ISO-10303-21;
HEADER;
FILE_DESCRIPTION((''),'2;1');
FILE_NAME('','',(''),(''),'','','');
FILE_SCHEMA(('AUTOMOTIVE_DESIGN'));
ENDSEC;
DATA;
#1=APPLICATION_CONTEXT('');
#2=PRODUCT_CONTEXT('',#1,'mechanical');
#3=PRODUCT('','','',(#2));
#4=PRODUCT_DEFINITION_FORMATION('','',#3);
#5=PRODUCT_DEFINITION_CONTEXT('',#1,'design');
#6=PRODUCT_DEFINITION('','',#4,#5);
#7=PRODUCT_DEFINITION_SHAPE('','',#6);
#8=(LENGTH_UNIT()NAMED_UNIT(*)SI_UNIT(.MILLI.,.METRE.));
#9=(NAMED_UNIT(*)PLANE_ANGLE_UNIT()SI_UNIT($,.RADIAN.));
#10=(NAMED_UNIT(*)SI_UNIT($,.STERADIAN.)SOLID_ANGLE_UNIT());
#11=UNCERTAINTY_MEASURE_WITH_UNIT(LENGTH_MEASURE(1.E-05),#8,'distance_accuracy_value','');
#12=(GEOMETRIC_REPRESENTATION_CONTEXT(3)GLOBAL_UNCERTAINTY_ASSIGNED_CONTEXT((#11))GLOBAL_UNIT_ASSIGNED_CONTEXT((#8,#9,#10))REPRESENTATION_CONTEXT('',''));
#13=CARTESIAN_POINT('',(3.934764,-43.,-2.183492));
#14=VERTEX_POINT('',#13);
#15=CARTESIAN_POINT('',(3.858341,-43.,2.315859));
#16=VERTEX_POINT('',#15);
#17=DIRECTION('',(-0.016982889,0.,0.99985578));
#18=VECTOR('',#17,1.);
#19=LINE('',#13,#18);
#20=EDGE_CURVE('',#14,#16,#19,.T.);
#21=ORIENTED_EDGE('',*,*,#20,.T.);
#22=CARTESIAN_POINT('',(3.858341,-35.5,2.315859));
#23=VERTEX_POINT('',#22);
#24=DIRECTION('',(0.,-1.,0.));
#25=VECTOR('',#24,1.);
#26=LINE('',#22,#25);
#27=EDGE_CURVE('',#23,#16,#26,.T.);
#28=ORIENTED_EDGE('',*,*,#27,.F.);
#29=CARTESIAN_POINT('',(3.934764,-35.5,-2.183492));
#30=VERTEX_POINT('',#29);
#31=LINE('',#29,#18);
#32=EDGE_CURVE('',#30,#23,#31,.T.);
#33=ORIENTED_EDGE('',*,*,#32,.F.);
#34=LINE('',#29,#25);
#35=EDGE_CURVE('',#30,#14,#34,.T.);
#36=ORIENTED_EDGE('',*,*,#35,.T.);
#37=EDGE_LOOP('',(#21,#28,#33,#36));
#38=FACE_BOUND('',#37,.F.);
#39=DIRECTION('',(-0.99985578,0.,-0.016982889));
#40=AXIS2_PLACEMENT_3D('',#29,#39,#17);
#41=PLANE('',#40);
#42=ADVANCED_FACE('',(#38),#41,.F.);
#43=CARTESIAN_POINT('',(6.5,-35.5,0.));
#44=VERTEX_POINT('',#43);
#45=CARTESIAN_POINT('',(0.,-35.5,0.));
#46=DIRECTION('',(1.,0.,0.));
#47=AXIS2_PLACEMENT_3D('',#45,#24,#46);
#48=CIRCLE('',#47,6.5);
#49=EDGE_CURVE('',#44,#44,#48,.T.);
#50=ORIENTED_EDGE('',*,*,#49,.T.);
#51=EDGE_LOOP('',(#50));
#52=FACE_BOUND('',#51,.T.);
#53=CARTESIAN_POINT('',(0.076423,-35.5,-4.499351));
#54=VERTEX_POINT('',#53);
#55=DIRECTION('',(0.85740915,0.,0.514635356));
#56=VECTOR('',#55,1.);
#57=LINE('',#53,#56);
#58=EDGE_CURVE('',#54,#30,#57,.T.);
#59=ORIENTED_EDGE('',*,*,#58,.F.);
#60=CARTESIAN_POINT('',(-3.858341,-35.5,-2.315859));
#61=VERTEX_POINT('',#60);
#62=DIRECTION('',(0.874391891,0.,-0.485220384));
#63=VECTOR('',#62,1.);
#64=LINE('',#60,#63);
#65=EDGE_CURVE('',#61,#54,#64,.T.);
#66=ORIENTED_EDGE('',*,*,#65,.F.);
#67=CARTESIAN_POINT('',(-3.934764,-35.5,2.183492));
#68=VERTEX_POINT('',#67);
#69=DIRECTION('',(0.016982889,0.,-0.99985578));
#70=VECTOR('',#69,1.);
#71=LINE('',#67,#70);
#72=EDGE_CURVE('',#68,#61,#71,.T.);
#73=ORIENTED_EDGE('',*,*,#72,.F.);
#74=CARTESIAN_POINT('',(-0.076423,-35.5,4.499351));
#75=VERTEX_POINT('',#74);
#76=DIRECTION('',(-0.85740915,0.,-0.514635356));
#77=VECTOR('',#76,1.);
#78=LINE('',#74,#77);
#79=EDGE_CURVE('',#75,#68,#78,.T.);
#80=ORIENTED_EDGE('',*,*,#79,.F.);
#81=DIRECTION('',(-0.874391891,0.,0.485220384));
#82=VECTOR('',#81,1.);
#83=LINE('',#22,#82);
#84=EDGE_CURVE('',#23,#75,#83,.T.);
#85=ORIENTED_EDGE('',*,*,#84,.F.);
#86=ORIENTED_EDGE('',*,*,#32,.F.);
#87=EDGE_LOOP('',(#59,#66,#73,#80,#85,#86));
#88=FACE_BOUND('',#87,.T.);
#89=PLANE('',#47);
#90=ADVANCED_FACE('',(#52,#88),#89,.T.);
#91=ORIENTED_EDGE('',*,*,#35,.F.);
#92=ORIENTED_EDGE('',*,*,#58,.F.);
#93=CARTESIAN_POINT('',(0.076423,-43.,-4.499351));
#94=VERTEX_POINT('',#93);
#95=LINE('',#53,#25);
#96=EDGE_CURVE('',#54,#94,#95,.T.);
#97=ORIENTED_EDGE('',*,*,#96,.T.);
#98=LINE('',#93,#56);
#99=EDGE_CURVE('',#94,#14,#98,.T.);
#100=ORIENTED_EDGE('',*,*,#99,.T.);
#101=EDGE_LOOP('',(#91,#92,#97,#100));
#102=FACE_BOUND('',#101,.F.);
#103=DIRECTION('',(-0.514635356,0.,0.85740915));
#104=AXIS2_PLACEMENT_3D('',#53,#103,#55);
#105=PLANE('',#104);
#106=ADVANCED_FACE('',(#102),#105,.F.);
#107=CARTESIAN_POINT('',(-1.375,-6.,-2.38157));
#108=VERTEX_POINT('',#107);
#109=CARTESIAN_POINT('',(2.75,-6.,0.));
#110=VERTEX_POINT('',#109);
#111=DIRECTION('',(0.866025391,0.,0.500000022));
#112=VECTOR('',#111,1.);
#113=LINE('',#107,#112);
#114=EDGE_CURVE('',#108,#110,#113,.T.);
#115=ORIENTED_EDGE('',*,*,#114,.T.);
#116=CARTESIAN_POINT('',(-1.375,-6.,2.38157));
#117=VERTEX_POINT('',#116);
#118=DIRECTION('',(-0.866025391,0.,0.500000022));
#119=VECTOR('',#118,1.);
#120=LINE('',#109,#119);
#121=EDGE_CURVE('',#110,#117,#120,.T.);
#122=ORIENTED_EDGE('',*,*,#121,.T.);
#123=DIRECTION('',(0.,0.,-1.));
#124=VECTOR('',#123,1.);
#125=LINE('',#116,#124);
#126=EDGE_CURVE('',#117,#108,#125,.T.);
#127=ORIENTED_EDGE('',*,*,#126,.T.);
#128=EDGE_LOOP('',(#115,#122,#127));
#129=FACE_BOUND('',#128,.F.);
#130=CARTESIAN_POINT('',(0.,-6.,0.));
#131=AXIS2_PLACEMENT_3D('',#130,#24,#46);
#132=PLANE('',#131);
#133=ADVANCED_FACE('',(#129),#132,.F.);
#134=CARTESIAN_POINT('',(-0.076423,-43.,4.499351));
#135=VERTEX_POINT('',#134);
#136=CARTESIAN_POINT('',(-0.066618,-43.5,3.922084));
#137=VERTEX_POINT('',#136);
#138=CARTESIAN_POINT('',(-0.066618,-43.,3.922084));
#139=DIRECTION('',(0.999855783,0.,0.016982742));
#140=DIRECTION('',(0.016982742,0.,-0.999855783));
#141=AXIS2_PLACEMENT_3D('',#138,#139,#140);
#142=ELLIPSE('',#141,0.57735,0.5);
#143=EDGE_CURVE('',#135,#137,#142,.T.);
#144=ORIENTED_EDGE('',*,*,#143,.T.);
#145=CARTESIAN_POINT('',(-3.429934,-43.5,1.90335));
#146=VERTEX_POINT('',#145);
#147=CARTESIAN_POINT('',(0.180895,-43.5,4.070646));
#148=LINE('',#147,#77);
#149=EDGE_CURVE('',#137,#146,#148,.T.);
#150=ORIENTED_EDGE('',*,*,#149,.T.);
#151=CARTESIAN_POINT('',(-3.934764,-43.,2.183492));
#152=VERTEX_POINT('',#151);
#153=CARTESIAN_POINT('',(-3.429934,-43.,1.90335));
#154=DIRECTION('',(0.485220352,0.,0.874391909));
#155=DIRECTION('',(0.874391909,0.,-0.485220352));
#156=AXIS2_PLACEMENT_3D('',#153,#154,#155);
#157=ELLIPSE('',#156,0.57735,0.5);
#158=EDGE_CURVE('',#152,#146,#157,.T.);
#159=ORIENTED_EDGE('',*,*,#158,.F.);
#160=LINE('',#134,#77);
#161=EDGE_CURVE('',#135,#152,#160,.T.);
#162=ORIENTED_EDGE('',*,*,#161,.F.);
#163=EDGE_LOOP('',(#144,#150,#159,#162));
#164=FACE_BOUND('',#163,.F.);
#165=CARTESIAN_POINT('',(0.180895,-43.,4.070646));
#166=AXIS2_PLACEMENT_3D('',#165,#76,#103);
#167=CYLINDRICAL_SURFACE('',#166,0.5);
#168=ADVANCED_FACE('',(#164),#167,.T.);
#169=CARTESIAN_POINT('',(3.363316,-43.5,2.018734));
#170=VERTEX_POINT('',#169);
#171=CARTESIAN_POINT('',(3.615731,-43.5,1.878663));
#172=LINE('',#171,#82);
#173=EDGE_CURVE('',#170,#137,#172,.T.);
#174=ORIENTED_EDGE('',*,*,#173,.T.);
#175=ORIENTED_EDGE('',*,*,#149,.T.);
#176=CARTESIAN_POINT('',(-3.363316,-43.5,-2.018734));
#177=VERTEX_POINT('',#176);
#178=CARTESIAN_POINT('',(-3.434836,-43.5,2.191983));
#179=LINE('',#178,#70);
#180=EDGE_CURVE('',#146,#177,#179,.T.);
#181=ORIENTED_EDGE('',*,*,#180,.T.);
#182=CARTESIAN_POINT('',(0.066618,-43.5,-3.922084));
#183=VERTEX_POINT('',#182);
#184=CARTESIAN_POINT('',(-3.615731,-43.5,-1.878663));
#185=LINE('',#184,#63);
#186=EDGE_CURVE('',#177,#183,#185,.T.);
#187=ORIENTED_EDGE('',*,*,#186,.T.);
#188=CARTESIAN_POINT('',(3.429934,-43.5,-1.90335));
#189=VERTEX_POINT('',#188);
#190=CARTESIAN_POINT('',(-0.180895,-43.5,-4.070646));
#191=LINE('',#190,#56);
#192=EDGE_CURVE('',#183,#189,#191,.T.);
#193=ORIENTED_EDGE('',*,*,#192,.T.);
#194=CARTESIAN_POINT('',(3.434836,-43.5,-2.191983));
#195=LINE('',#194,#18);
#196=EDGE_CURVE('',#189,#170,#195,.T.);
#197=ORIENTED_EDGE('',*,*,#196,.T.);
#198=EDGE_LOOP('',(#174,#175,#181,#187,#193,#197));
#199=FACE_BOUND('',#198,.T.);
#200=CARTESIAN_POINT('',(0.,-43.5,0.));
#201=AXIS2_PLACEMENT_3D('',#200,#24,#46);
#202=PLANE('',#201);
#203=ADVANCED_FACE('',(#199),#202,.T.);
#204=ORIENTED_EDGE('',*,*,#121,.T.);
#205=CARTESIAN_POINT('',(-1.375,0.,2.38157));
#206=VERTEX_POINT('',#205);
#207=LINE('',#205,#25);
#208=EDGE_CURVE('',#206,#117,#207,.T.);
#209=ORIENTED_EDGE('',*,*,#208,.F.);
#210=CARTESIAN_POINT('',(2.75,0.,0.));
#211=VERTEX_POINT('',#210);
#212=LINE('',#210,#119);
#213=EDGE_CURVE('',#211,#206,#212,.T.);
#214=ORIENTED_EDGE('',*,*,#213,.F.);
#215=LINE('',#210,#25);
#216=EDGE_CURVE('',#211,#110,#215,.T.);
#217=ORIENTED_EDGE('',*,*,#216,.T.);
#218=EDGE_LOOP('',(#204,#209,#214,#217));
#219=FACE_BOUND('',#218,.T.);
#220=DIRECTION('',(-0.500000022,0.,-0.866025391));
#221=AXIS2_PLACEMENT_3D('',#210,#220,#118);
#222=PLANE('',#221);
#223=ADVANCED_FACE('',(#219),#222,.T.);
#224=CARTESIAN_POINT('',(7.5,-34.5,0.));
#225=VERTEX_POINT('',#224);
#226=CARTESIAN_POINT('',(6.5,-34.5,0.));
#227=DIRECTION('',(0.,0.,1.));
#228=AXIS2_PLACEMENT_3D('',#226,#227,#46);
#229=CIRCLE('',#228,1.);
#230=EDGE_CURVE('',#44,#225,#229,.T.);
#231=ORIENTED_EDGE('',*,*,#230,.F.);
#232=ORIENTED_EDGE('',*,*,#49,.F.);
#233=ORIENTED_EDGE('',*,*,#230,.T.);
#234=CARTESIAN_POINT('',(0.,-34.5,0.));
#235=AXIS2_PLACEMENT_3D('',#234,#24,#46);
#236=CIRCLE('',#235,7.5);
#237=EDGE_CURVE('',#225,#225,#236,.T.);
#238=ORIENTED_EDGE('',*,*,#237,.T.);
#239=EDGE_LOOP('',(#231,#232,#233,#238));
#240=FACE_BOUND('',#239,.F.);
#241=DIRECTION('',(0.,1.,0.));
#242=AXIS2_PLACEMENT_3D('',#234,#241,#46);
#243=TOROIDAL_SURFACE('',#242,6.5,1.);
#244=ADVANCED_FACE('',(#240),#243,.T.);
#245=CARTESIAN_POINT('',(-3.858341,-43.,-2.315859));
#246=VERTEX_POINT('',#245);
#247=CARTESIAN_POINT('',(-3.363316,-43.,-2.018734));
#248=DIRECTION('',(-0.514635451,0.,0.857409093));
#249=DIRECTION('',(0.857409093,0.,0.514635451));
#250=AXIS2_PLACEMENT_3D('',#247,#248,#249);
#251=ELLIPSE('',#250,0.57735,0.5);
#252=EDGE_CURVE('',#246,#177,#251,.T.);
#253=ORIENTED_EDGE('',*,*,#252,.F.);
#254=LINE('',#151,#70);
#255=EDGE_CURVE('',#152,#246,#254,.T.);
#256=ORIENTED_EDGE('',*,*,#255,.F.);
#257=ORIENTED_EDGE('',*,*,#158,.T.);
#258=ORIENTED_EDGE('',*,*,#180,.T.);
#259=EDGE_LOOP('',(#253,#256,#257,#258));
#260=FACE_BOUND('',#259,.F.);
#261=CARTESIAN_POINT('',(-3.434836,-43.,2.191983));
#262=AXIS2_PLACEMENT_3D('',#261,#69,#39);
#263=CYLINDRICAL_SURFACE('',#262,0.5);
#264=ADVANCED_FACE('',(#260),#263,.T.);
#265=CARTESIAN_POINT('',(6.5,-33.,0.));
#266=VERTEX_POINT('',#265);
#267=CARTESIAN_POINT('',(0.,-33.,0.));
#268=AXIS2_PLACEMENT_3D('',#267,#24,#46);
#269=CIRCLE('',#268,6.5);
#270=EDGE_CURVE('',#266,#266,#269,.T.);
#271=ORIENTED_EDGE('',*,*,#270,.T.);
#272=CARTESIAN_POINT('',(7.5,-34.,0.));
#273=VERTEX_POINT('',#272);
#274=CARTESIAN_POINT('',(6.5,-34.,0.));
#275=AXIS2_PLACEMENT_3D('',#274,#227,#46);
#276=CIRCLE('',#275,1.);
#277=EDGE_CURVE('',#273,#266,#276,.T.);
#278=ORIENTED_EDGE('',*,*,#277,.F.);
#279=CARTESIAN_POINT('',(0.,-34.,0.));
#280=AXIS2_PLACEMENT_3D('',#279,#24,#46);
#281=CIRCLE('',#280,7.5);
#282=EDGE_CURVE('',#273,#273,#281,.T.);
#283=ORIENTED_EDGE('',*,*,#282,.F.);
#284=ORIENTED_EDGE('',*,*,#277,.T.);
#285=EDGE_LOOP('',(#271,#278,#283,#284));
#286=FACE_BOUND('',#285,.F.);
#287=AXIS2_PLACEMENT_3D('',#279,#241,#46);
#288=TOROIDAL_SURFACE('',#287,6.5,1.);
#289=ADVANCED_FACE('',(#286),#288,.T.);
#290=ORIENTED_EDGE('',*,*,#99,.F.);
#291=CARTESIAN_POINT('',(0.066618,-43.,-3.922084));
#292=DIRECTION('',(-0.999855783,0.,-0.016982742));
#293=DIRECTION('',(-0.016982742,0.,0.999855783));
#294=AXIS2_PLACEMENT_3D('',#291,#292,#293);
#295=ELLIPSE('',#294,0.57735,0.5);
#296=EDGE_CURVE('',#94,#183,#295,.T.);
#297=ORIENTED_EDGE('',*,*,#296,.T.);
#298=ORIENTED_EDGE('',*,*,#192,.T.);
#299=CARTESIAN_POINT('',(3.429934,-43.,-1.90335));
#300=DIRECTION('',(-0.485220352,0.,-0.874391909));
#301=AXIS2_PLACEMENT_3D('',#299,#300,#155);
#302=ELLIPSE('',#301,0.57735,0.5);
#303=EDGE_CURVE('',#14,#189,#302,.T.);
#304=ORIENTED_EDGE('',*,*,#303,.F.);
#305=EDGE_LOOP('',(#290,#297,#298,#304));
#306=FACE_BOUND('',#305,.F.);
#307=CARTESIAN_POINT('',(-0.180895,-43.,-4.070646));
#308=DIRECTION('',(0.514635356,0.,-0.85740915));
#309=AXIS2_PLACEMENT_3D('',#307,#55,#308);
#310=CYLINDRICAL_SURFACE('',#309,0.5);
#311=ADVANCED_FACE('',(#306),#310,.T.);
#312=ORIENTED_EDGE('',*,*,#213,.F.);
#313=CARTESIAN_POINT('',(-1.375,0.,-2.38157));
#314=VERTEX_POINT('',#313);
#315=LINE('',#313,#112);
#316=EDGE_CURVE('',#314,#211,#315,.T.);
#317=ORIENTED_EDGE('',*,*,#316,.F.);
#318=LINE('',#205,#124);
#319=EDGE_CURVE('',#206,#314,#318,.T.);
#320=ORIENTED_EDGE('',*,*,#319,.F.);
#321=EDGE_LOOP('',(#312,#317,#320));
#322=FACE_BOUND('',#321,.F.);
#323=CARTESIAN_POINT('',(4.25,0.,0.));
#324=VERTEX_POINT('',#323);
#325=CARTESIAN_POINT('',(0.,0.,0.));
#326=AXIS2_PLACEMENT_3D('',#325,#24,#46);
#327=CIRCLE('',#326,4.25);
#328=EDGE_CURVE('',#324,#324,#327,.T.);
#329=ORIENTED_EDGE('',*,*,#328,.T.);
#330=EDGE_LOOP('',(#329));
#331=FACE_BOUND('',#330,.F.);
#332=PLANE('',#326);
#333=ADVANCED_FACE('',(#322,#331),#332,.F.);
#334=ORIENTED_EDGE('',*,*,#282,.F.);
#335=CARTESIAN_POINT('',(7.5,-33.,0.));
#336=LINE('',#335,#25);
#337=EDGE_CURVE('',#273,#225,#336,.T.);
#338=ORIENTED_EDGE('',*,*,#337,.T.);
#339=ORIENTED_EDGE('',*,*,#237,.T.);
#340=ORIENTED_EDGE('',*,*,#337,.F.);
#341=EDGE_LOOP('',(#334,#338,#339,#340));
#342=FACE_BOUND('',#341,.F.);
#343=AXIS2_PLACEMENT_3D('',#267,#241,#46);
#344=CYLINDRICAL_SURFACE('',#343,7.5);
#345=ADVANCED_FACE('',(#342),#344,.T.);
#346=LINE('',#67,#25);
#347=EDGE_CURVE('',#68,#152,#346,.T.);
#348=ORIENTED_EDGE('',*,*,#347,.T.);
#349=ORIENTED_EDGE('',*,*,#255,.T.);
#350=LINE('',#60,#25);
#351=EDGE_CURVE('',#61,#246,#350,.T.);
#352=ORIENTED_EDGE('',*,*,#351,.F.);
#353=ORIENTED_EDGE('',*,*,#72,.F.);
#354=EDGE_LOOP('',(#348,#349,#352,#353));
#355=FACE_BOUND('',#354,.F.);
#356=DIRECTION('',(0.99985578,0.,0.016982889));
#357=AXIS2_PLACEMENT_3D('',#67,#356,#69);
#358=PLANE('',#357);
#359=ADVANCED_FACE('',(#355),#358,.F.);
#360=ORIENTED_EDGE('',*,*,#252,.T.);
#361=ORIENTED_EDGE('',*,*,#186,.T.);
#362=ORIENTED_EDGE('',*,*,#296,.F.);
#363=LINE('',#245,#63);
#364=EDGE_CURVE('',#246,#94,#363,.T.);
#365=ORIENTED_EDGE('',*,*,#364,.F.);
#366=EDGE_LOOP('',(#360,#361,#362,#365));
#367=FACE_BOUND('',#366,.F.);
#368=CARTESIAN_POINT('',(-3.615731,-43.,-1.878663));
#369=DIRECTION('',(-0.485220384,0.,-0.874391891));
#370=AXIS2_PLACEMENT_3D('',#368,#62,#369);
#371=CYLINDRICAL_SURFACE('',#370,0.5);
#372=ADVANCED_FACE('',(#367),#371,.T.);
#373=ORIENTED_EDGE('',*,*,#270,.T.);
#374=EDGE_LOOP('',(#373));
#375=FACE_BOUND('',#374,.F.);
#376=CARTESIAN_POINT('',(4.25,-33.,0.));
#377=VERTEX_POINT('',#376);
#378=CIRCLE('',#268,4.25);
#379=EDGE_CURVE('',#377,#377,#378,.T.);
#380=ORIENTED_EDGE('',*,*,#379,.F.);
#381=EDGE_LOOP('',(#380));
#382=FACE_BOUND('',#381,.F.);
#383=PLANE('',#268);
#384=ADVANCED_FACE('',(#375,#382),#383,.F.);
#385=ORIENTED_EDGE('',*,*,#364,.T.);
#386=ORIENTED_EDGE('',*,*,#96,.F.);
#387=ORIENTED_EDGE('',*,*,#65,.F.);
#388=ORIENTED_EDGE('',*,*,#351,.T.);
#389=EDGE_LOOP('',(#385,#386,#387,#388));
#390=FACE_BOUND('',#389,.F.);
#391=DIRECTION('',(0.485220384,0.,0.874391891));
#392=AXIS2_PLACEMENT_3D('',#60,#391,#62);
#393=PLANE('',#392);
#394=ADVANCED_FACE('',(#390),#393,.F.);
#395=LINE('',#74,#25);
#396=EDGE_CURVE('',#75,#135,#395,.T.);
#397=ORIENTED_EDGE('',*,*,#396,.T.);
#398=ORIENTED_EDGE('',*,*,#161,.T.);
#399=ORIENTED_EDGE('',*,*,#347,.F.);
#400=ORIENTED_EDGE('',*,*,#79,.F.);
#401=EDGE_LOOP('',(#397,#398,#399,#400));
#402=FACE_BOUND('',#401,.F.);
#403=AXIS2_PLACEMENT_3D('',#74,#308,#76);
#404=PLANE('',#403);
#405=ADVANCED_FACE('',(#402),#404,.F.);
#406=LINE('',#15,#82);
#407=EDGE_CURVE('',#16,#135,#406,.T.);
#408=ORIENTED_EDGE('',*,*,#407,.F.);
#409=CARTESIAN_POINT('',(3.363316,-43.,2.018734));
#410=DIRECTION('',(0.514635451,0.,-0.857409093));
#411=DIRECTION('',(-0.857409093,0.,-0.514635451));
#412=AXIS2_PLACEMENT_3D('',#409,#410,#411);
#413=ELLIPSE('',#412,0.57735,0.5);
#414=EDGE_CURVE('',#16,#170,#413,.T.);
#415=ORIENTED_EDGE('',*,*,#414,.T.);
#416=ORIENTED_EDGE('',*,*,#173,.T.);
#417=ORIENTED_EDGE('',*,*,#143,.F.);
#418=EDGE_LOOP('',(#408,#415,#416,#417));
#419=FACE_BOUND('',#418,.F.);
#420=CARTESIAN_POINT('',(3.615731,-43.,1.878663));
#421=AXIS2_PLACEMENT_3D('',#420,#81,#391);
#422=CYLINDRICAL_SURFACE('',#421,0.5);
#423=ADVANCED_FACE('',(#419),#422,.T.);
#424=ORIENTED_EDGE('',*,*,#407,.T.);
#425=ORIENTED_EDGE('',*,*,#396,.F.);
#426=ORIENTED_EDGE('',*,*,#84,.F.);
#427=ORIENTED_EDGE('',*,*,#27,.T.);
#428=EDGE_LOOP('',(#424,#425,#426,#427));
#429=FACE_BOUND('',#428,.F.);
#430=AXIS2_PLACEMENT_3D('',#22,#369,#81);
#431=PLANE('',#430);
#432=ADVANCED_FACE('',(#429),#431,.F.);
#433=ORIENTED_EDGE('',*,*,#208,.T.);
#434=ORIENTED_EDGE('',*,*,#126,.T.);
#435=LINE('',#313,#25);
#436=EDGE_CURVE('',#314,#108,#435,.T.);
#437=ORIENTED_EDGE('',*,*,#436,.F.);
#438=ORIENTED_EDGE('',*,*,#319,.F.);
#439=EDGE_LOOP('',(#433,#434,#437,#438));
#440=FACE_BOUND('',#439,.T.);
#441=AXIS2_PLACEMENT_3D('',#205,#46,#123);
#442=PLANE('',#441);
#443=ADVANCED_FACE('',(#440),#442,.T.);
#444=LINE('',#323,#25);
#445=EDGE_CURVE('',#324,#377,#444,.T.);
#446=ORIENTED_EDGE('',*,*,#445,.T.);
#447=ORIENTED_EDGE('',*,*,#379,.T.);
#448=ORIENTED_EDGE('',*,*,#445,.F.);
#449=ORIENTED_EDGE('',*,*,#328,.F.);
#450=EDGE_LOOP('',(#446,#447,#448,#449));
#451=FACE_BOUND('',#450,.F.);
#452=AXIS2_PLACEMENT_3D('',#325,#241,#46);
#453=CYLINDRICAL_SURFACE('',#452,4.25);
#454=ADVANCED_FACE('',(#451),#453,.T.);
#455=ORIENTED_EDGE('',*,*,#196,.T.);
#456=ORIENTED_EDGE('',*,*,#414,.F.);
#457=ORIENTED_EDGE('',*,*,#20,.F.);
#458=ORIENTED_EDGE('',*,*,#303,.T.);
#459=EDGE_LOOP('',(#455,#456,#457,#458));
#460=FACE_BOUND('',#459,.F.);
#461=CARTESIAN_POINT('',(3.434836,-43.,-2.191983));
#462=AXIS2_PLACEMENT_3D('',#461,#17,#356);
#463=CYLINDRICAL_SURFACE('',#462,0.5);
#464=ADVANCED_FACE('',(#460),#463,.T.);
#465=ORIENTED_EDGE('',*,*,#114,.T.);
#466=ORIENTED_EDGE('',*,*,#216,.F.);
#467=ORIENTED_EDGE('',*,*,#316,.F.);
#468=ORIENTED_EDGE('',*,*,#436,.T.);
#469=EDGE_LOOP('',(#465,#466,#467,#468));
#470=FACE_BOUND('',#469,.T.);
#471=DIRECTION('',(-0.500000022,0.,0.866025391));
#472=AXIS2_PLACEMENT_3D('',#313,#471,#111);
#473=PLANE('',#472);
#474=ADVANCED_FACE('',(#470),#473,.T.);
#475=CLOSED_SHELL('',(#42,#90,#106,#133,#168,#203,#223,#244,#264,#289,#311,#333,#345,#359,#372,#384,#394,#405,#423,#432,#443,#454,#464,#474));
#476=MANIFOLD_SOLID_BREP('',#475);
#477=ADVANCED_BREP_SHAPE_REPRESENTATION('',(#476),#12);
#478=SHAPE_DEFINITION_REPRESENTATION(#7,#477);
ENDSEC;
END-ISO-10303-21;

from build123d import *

# Parameters (mm, degrees)
F0_R     = 4.25
F1_DEPTH = 33
F2_DEPTH = 6
F3_R     = 7.5
F3_R_2   = 4.25
F4_DEPTH = 2.5
F6_DEPTH = 8
F7_R     = 0.5
F8_R     = 1


with BuildPart() as f1:
    # F0 (on Front) → F1 (new body)
    with BuildSketch(Plane.XZ):
        Circle(F0_R)
        Polygon((-1.375, 2.38157), (2.75, 0), (-1.375, -2.38157), align=None, mode=Mode.SUBTRACT)
        Polygon((-1.375, -2.38157), (2.75, 0), (-1.375, 2.38157), align=None)
    extrude(amount=F1_DEPTH)

    # F0 (on Front) → F2 (cut)
    with BuildSketch(Plane.XZ):
        Polygon((-1.375, -2.38157), (2.75, 0), (-1.375, 2.38157), align=None)
    extrude(amount=F2_DEPTH, mode=Mode.SUBTRACT)

    # F3 (on face) → F4 (join)
    with BuildSketch(Plane.XZ.offset(33)):
        Circle(F3_R)
        Circle(F3_R_2, mode=Mode.SUBTRACT)
        Circle(F3_R_2)
    extrude(amount=F4_DEPTH)

    # F5 (on face) → F6 (join)
    with BuildSketch(Plane.XZ.offset(35.5)):
        Polygon((0.076423, -4.499351), (3.934764, -2.183492), (3.858341, 2.315859), (-0.076423, 4.499351), (-3.934764, 2.183492), (-3.858341, -2.315859), align=None)
    extrude(amount=F6_DEPTH)

    # F7
    f7_edges = [f1.edges().sort_by_distance(p)[0] for p in [
        (2.005593, -43.5, -3.341421),
        (-1.890959, -43.5, -3.407605),
        (-3.896552, -43.5, -0.066184),
        (-2.005593, -43.5, 3.341421),
        (1.890959, -43.5, 3.407605),
        (3.896552, -43.5, 0.066184),
    ]]
    fillet(f7_edges, radius=F7_R)

    # F8
    f8_edges = [f1.edges().sort_by_distance(p)[0] for p in [
        (-7.5, -35.5, 0),
        (-7.5, -33, 0),
    ]]
    fillet(f8_edges, radius=F8_R)


solid = f1.part
